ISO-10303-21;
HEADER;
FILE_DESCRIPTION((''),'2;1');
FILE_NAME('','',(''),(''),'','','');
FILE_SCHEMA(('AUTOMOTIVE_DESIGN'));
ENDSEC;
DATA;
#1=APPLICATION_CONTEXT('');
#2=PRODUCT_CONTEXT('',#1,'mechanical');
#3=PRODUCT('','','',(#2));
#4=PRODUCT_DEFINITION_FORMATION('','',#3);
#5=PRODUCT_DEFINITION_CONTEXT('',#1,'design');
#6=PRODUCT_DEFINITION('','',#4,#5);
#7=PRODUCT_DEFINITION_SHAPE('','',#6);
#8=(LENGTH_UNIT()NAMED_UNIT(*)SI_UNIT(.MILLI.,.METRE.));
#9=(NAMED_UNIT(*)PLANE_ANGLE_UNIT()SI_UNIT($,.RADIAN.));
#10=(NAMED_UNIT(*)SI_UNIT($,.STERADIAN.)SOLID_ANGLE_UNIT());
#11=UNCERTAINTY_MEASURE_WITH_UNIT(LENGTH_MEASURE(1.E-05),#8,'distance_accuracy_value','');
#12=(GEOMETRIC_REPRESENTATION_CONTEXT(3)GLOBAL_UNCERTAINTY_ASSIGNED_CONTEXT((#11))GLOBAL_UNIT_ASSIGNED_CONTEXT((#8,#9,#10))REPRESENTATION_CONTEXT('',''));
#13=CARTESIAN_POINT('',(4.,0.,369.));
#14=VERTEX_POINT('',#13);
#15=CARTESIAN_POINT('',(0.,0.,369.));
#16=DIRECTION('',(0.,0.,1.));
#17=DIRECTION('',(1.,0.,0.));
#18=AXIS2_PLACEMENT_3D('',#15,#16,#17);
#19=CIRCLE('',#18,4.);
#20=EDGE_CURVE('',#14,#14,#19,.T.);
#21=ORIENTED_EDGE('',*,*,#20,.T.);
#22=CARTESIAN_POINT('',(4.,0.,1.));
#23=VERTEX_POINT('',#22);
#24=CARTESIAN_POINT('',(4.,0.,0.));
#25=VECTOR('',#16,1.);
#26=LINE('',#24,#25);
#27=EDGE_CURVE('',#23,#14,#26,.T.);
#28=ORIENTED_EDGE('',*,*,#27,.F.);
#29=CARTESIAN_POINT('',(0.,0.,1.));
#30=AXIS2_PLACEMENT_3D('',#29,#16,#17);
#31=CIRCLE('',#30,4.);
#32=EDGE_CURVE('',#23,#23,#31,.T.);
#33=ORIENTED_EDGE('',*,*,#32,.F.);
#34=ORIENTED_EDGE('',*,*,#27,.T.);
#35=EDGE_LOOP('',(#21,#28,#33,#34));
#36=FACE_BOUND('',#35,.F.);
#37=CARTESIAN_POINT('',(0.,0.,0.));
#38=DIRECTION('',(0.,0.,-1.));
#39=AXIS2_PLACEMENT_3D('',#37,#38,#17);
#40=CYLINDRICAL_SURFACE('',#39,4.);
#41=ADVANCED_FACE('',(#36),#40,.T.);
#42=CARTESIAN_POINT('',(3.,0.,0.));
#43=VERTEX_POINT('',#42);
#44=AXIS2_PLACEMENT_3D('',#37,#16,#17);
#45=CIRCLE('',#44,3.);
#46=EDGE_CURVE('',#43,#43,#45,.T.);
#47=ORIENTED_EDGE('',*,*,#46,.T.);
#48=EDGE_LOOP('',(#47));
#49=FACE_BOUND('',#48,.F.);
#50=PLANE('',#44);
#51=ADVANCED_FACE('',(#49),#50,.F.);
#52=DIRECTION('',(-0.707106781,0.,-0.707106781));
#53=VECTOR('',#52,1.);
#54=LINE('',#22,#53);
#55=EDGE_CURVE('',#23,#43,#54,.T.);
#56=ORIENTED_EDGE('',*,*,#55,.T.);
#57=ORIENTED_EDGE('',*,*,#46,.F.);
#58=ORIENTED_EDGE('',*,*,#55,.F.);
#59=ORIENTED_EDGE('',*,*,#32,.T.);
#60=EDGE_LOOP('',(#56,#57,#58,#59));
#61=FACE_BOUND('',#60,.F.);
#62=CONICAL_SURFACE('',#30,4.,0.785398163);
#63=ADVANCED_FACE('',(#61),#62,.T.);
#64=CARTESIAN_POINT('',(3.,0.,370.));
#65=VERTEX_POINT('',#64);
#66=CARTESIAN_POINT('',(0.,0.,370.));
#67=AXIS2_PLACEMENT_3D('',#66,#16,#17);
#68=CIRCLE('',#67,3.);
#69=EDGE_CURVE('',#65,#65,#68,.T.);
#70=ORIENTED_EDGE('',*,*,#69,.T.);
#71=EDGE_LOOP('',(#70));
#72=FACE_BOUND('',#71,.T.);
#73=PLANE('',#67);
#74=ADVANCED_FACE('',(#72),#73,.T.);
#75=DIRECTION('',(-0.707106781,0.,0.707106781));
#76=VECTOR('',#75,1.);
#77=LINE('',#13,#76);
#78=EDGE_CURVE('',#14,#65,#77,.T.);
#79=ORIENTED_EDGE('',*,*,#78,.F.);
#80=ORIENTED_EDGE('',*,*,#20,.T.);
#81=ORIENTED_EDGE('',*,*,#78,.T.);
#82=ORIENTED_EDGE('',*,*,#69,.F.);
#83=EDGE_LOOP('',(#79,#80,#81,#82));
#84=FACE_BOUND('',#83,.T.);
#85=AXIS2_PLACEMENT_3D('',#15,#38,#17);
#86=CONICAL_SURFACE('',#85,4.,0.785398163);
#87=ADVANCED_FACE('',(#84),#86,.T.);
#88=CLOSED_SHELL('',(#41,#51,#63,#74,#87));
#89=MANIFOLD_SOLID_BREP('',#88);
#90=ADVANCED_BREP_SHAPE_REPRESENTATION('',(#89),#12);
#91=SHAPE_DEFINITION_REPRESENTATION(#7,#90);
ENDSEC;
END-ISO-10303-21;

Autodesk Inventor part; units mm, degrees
ref_plane "YZ Plane" through (0, 0, 0) normal (1, 0, 0) x (0, 1, 0)
ref_plane "XZ Plane" through (0, 0, 0) normal (0, 1, 0) x (-1, 0, 0)
ref_plane "XY Plane" through (0, 0, 0) normal (0, 0, 1) x (1, 0, 0)
sketch "Sketch1" plane through (0, 0, 0) normal (0, 0, 1) x (1, 0, 0)
  circle A0 centre (0, 0) radius 4
  dimension "d0" = 8
extrude "Extrusion1" add sketch "Sketch1" along normal blind 370
chamfer "Chamfer1" distance 1 angle 45 2 edges at (-4, 0, 370) (-4, 0, 0)
equation "\"d1\" = frame_width - extrusion_size"
equation "\"extrusion_size\" = 30"
equation "\"frame_width\" = 400"
equation "\"platform_width\" = 214"
equation "\"platform_depth\" = 214"
equation "\"bed_cl_y_offset\" = 173.25"
properties part number "Linear rail - X" material "Steel, Mild"
